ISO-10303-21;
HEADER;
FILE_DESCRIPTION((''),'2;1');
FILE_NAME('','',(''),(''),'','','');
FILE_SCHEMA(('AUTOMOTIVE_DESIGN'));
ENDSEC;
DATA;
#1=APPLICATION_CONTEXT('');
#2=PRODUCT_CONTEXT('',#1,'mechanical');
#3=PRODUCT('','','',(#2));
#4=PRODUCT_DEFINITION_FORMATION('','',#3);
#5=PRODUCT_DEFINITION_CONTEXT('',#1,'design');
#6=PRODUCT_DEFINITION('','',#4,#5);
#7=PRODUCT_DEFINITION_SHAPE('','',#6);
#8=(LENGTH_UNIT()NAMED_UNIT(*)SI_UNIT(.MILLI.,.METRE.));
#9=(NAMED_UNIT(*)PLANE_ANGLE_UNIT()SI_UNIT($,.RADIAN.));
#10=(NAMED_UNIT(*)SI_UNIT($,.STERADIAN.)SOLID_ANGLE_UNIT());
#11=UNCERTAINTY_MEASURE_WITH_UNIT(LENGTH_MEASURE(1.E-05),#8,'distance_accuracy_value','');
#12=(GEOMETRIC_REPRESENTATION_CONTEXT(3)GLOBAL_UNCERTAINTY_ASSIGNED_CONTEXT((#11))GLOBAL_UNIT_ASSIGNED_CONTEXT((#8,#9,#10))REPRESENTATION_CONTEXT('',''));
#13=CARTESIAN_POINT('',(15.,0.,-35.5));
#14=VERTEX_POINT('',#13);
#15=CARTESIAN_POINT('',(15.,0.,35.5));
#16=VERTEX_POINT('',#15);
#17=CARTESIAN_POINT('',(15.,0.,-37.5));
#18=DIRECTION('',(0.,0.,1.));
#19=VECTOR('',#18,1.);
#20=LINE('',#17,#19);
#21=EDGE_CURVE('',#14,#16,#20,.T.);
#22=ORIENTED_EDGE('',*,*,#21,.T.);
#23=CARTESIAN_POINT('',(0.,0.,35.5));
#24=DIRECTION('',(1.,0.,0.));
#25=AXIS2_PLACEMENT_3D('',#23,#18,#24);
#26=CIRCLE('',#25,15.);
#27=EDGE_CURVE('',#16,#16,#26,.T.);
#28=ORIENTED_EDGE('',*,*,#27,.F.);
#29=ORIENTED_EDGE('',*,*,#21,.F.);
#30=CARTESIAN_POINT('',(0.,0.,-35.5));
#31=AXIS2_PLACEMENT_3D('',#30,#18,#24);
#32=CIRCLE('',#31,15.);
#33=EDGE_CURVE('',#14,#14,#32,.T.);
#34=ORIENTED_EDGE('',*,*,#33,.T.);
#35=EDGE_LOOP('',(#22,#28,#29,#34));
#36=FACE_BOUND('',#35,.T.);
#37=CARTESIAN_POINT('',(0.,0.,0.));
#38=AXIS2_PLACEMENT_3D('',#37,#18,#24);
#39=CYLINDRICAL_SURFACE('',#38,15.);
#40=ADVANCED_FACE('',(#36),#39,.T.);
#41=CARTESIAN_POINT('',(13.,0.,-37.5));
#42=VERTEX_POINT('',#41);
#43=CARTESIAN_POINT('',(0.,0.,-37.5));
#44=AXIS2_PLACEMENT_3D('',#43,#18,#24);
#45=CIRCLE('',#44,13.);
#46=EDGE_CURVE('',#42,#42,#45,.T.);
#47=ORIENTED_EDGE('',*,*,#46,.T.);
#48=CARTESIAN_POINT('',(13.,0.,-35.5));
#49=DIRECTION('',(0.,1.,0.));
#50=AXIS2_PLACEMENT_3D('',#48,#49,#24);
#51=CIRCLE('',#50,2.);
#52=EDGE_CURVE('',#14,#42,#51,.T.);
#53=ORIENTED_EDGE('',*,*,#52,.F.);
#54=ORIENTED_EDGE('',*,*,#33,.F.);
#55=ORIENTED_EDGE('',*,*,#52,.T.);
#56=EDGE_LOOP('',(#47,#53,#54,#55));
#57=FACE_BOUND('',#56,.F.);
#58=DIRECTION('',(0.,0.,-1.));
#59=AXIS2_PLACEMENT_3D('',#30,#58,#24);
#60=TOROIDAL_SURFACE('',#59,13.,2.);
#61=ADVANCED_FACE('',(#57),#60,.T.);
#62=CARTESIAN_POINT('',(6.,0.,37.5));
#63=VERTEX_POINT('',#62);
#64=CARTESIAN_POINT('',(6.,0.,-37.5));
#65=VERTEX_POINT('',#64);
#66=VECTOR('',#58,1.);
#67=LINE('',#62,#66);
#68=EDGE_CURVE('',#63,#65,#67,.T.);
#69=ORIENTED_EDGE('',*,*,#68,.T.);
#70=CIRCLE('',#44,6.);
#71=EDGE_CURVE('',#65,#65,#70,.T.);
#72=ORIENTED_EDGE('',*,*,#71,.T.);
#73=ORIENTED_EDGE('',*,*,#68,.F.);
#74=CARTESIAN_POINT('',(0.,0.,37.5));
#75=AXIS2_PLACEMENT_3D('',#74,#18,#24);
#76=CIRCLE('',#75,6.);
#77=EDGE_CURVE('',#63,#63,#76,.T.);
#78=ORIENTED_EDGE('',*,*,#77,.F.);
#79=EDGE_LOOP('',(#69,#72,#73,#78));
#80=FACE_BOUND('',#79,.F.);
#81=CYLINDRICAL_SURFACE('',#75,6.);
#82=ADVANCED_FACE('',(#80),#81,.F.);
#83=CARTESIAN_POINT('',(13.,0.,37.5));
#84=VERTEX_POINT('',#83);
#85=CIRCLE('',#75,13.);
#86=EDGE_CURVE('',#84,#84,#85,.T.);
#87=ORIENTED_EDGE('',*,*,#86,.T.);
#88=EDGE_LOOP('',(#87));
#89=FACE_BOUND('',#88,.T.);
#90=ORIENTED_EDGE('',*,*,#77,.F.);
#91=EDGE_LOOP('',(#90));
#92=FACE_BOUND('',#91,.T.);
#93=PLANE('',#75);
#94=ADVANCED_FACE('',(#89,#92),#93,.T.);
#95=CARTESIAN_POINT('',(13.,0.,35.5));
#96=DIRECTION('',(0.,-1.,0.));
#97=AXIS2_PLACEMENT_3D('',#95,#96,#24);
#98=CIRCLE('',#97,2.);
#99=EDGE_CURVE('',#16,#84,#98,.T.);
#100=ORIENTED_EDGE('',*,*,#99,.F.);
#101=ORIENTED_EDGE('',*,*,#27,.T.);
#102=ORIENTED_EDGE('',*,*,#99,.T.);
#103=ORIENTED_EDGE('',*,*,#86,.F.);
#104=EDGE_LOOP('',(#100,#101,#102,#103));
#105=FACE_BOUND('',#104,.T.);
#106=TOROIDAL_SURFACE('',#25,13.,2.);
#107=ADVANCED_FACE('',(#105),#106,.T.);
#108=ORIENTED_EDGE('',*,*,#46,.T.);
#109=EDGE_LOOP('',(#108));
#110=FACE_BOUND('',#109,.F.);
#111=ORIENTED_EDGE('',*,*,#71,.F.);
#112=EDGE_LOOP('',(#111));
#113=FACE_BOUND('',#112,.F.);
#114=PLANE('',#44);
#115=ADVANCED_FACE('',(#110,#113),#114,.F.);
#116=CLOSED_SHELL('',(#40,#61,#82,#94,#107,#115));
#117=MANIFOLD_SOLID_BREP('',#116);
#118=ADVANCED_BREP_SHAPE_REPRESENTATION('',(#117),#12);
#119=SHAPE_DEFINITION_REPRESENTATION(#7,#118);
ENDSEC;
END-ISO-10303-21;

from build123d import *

# Parameters (mm, degrees)
F0_R     = 15
F1_DEPTH = 37.5
F2_R     = 2
F3_R     = 6
F4_DEPTH = 75.001


with BuildPart() as f1:
    # F0 (on Top) → F1 (new body, symmetric)
    with BuildSketch(Plane.XY):
        Circle(F0_R)
    extrude(amount=F1_DEPTH, both=True)

    # F2
    f2_edges = [f1.edges().sort_by_distance(p)[0] for p in [
        (-15, 0, 37.5),
        (-15, 0, -37.5),
    ]]
    fillet(f2_edges, radius=F2_R)

    # F3 (on face) → F4 (cut, through all)
    with BuildSketch(Plane.XY.offset(37.5)):
        Circle(F3_R)
    extrude(amount=-F4_DEPTH, mode=Mode.SUBTRACT)


solid = f1.part
